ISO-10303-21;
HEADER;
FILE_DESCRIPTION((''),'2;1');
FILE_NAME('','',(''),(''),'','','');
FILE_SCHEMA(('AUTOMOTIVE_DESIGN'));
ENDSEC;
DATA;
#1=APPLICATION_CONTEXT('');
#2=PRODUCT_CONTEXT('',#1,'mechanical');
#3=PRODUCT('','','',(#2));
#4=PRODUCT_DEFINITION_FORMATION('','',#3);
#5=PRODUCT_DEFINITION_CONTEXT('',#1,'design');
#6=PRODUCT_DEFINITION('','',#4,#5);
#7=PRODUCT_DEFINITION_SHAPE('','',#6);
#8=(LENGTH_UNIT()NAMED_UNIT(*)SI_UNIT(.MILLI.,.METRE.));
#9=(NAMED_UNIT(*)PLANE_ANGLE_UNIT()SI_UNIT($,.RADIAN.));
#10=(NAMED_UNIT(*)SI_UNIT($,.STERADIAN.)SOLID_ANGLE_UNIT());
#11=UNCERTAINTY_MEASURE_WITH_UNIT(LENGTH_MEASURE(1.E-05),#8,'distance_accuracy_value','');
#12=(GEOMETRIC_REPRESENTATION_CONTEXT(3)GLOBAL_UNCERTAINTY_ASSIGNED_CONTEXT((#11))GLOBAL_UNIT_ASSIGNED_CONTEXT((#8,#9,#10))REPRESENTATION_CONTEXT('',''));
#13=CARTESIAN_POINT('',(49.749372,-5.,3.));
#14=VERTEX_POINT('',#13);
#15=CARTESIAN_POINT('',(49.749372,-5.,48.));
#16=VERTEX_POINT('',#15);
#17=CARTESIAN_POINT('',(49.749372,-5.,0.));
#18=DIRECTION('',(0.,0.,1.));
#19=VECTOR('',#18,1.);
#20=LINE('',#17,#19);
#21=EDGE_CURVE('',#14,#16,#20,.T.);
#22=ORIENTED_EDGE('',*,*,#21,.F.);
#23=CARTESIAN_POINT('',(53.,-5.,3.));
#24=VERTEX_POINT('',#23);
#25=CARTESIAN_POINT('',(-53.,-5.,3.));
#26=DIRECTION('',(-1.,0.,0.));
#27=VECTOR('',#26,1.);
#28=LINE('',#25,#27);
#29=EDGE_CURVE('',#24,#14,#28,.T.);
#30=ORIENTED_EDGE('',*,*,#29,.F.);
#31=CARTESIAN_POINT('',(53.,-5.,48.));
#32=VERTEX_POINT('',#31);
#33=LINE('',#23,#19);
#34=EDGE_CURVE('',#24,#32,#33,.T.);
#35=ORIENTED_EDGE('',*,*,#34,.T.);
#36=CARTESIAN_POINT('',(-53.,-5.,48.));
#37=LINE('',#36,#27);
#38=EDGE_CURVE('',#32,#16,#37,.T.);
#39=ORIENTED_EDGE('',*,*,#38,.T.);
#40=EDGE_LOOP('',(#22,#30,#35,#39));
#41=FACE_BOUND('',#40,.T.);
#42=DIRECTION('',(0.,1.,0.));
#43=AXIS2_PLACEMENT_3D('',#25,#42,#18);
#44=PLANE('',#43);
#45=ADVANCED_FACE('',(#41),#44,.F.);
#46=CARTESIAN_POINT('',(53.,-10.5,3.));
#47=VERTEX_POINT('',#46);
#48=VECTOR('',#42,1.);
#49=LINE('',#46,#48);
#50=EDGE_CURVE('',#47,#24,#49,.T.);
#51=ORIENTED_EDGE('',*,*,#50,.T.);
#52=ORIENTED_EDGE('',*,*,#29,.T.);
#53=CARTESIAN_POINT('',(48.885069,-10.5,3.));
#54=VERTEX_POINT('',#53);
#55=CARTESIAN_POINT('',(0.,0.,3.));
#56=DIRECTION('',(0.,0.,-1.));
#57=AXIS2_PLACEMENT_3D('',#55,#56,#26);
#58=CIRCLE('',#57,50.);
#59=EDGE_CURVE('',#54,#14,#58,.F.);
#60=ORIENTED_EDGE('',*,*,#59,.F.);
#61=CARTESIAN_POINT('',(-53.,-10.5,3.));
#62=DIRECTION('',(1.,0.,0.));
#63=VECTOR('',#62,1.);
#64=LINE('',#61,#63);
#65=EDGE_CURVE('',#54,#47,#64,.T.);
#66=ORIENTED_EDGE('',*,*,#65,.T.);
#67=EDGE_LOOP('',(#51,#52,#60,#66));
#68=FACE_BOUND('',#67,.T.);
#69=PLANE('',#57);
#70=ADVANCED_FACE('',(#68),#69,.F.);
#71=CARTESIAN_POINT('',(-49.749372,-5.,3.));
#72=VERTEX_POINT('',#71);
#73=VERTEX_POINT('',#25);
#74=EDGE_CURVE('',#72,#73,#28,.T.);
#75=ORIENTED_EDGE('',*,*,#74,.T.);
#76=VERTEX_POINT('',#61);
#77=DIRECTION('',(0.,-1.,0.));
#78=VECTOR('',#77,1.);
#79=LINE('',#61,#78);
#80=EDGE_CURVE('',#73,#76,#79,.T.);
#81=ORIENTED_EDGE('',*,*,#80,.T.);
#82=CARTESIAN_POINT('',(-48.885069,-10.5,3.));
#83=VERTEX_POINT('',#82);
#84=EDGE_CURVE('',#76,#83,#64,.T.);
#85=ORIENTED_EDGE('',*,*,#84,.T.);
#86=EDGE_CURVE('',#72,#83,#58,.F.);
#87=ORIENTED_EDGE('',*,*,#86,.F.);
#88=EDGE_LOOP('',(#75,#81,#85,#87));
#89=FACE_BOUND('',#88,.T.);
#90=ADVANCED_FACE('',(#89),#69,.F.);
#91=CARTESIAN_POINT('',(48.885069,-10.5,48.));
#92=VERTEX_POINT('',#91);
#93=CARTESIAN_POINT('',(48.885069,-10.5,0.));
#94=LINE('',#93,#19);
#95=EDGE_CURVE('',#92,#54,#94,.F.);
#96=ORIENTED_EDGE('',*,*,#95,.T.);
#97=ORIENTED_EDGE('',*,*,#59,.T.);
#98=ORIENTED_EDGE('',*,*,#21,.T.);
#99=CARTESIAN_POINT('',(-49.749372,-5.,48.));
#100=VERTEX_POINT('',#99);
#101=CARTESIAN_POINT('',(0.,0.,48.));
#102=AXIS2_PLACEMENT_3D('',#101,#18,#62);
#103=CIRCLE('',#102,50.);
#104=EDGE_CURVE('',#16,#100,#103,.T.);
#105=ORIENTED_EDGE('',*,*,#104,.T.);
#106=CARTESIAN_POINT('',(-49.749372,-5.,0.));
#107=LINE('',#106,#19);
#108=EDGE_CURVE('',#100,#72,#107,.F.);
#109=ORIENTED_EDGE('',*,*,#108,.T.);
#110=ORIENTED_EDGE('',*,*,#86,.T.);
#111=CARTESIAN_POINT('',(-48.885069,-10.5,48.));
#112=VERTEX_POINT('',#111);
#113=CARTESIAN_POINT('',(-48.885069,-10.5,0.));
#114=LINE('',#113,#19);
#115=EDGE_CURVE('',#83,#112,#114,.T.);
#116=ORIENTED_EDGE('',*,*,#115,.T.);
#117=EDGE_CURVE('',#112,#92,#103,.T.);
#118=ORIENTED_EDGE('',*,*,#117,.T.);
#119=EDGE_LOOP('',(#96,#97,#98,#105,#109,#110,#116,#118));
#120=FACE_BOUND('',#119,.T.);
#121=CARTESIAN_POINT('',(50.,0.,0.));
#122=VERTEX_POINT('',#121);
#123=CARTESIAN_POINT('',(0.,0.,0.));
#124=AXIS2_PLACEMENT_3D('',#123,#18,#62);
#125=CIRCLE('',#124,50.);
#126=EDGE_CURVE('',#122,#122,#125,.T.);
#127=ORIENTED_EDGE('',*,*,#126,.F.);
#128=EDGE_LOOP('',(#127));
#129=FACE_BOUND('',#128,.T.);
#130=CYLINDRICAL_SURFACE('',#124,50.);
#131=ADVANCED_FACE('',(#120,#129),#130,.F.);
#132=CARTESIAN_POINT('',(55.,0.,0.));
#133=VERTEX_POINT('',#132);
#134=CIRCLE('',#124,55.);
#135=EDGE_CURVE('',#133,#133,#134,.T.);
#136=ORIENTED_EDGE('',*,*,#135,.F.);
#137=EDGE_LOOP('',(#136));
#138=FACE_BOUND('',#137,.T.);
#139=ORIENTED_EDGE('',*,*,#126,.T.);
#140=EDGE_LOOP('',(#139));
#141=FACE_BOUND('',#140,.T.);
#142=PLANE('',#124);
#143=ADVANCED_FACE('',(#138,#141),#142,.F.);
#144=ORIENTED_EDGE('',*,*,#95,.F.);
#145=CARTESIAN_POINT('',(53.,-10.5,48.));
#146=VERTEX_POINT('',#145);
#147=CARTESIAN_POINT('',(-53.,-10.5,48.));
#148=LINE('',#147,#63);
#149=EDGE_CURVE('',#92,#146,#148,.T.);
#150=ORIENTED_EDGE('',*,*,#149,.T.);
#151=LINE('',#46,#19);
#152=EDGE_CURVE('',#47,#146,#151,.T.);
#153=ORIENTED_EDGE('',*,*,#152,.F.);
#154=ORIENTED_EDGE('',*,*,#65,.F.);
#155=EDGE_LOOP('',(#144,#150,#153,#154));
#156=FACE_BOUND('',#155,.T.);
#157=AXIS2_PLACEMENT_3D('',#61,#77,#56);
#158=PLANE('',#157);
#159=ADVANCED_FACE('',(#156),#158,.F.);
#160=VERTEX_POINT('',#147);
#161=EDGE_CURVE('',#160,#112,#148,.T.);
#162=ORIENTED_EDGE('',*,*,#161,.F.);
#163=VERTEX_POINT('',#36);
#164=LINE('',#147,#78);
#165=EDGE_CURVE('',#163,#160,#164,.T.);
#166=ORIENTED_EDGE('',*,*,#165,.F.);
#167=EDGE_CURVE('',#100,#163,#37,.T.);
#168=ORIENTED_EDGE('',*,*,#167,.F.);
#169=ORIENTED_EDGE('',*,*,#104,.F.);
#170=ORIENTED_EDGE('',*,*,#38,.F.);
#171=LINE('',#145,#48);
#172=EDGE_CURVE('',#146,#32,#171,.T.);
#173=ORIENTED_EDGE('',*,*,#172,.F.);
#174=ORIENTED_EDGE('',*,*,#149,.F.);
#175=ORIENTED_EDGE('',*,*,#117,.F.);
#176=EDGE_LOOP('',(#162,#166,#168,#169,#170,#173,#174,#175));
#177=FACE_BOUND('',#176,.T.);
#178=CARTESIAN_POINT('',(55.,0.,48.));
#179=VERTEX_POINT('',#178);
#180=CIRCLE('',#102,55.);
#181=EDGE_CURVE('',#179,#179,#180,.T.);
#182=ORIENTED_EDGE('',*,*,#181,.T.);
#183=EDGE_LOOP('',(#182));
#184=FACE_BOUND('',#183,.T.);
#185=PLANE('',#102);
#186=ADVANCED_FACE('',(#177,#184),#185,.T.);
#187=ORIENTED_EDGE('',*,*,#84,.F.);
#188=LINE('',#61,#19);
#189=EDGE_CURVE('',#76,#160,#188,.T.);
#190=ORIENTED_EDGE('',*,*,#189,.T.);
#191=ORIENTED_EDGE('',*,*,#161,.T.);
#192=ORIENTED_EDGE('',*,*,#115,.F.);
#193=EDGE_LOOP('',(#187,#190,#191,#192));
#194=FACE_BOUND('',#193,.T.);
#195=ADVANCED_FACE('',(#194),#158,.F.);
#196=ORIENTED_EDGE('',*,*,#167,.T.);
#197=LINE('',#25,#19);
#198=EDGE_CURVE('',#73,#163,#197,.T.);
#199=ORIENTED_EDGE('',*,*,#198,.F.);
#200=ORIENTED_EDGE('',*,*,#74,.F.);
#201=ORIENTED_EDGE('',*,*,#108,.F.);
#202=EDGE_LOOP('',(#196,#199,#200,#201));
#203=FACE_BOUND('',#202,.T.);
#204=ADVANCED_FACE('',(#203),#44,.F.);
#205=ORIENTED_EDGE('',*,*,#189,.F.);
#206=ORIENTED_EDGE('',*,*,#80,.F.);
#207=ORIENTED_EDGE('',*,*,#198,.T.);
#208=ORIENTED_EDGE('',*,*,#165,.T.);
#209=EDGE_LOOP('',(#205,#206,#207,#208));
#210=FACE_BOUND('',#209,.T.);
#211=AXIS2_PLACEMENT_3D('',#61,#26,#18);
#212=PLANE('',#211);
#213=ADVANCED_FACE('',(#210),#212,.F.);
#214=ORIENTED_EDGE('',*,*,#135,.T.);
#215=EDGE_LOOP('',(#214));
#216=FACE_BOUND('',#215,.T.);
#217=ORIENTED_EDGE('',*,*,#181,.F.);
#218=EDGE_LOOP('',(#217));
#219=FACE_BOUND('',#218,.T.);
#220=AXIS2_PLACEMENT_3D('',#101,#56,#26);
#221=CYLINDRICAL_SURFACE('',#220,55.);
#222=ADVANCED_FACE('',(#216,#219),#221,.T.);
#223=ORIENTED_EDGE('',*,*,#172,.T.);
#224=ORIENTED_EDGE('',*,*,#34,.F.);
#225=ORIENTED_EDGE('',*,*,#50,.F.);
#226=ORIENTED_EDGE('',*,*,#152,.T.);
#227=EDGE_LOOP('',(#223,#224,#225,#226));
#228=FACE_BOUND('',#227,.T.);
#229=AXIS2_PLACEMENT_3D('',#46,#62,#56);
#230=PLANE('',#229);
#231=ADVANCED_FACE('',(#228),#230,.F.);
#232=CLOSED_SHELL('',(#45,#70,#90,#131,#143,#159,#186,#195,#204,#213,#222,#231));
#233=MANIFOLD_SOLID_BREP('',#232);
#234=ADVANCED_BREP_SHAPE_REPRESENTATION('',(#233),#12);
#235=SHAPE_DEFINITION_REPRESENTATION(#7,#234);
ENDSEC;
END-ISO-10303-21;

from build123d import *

# Parameters (mm, degrees)
SKETCH1_R           = 55
BOSS_EXTRUDE1_DEPTH = 48
SKETCH2_R           = 50
CUT_EXTRUDE1_DEPTH  = 49
SKETCH5_W           = 106
SKETCH5_H           = 5.5
CUT_EXTRUDE2_DEPTH  = 45


with BuildPart() as part:
    # Sketch1 → Boss-Extrude1 (new body)
    with BuildSketch(Plane.XY):
        Circle(SKETCH1_R)
    extrude(amount=BOSS_EXTRUDE1_DEPTH)

    # Sketch2 → Cut-Extrude1 (cut, through all)
    with BuildSketch(Plane.XY.offset(48)):
        Circle(SKETCH2_R)
    extrude(amount=-CUT_EXTRUDE1_DEPTH, mode=Mode.SUBTRACT)

    # Sketch5 → Cut-Extrude2 (cut)
    with BuildSketch(Plane.XY.offset(48)):
        with Locations((0, -7.75)):
            Rectangle(SKETCH5_W, SKETCH5_H)
    extrude(amount=-CUT_EXTRUDE2_DEPTH, mode=Mode.SUBTRACT)


solid = part.part
